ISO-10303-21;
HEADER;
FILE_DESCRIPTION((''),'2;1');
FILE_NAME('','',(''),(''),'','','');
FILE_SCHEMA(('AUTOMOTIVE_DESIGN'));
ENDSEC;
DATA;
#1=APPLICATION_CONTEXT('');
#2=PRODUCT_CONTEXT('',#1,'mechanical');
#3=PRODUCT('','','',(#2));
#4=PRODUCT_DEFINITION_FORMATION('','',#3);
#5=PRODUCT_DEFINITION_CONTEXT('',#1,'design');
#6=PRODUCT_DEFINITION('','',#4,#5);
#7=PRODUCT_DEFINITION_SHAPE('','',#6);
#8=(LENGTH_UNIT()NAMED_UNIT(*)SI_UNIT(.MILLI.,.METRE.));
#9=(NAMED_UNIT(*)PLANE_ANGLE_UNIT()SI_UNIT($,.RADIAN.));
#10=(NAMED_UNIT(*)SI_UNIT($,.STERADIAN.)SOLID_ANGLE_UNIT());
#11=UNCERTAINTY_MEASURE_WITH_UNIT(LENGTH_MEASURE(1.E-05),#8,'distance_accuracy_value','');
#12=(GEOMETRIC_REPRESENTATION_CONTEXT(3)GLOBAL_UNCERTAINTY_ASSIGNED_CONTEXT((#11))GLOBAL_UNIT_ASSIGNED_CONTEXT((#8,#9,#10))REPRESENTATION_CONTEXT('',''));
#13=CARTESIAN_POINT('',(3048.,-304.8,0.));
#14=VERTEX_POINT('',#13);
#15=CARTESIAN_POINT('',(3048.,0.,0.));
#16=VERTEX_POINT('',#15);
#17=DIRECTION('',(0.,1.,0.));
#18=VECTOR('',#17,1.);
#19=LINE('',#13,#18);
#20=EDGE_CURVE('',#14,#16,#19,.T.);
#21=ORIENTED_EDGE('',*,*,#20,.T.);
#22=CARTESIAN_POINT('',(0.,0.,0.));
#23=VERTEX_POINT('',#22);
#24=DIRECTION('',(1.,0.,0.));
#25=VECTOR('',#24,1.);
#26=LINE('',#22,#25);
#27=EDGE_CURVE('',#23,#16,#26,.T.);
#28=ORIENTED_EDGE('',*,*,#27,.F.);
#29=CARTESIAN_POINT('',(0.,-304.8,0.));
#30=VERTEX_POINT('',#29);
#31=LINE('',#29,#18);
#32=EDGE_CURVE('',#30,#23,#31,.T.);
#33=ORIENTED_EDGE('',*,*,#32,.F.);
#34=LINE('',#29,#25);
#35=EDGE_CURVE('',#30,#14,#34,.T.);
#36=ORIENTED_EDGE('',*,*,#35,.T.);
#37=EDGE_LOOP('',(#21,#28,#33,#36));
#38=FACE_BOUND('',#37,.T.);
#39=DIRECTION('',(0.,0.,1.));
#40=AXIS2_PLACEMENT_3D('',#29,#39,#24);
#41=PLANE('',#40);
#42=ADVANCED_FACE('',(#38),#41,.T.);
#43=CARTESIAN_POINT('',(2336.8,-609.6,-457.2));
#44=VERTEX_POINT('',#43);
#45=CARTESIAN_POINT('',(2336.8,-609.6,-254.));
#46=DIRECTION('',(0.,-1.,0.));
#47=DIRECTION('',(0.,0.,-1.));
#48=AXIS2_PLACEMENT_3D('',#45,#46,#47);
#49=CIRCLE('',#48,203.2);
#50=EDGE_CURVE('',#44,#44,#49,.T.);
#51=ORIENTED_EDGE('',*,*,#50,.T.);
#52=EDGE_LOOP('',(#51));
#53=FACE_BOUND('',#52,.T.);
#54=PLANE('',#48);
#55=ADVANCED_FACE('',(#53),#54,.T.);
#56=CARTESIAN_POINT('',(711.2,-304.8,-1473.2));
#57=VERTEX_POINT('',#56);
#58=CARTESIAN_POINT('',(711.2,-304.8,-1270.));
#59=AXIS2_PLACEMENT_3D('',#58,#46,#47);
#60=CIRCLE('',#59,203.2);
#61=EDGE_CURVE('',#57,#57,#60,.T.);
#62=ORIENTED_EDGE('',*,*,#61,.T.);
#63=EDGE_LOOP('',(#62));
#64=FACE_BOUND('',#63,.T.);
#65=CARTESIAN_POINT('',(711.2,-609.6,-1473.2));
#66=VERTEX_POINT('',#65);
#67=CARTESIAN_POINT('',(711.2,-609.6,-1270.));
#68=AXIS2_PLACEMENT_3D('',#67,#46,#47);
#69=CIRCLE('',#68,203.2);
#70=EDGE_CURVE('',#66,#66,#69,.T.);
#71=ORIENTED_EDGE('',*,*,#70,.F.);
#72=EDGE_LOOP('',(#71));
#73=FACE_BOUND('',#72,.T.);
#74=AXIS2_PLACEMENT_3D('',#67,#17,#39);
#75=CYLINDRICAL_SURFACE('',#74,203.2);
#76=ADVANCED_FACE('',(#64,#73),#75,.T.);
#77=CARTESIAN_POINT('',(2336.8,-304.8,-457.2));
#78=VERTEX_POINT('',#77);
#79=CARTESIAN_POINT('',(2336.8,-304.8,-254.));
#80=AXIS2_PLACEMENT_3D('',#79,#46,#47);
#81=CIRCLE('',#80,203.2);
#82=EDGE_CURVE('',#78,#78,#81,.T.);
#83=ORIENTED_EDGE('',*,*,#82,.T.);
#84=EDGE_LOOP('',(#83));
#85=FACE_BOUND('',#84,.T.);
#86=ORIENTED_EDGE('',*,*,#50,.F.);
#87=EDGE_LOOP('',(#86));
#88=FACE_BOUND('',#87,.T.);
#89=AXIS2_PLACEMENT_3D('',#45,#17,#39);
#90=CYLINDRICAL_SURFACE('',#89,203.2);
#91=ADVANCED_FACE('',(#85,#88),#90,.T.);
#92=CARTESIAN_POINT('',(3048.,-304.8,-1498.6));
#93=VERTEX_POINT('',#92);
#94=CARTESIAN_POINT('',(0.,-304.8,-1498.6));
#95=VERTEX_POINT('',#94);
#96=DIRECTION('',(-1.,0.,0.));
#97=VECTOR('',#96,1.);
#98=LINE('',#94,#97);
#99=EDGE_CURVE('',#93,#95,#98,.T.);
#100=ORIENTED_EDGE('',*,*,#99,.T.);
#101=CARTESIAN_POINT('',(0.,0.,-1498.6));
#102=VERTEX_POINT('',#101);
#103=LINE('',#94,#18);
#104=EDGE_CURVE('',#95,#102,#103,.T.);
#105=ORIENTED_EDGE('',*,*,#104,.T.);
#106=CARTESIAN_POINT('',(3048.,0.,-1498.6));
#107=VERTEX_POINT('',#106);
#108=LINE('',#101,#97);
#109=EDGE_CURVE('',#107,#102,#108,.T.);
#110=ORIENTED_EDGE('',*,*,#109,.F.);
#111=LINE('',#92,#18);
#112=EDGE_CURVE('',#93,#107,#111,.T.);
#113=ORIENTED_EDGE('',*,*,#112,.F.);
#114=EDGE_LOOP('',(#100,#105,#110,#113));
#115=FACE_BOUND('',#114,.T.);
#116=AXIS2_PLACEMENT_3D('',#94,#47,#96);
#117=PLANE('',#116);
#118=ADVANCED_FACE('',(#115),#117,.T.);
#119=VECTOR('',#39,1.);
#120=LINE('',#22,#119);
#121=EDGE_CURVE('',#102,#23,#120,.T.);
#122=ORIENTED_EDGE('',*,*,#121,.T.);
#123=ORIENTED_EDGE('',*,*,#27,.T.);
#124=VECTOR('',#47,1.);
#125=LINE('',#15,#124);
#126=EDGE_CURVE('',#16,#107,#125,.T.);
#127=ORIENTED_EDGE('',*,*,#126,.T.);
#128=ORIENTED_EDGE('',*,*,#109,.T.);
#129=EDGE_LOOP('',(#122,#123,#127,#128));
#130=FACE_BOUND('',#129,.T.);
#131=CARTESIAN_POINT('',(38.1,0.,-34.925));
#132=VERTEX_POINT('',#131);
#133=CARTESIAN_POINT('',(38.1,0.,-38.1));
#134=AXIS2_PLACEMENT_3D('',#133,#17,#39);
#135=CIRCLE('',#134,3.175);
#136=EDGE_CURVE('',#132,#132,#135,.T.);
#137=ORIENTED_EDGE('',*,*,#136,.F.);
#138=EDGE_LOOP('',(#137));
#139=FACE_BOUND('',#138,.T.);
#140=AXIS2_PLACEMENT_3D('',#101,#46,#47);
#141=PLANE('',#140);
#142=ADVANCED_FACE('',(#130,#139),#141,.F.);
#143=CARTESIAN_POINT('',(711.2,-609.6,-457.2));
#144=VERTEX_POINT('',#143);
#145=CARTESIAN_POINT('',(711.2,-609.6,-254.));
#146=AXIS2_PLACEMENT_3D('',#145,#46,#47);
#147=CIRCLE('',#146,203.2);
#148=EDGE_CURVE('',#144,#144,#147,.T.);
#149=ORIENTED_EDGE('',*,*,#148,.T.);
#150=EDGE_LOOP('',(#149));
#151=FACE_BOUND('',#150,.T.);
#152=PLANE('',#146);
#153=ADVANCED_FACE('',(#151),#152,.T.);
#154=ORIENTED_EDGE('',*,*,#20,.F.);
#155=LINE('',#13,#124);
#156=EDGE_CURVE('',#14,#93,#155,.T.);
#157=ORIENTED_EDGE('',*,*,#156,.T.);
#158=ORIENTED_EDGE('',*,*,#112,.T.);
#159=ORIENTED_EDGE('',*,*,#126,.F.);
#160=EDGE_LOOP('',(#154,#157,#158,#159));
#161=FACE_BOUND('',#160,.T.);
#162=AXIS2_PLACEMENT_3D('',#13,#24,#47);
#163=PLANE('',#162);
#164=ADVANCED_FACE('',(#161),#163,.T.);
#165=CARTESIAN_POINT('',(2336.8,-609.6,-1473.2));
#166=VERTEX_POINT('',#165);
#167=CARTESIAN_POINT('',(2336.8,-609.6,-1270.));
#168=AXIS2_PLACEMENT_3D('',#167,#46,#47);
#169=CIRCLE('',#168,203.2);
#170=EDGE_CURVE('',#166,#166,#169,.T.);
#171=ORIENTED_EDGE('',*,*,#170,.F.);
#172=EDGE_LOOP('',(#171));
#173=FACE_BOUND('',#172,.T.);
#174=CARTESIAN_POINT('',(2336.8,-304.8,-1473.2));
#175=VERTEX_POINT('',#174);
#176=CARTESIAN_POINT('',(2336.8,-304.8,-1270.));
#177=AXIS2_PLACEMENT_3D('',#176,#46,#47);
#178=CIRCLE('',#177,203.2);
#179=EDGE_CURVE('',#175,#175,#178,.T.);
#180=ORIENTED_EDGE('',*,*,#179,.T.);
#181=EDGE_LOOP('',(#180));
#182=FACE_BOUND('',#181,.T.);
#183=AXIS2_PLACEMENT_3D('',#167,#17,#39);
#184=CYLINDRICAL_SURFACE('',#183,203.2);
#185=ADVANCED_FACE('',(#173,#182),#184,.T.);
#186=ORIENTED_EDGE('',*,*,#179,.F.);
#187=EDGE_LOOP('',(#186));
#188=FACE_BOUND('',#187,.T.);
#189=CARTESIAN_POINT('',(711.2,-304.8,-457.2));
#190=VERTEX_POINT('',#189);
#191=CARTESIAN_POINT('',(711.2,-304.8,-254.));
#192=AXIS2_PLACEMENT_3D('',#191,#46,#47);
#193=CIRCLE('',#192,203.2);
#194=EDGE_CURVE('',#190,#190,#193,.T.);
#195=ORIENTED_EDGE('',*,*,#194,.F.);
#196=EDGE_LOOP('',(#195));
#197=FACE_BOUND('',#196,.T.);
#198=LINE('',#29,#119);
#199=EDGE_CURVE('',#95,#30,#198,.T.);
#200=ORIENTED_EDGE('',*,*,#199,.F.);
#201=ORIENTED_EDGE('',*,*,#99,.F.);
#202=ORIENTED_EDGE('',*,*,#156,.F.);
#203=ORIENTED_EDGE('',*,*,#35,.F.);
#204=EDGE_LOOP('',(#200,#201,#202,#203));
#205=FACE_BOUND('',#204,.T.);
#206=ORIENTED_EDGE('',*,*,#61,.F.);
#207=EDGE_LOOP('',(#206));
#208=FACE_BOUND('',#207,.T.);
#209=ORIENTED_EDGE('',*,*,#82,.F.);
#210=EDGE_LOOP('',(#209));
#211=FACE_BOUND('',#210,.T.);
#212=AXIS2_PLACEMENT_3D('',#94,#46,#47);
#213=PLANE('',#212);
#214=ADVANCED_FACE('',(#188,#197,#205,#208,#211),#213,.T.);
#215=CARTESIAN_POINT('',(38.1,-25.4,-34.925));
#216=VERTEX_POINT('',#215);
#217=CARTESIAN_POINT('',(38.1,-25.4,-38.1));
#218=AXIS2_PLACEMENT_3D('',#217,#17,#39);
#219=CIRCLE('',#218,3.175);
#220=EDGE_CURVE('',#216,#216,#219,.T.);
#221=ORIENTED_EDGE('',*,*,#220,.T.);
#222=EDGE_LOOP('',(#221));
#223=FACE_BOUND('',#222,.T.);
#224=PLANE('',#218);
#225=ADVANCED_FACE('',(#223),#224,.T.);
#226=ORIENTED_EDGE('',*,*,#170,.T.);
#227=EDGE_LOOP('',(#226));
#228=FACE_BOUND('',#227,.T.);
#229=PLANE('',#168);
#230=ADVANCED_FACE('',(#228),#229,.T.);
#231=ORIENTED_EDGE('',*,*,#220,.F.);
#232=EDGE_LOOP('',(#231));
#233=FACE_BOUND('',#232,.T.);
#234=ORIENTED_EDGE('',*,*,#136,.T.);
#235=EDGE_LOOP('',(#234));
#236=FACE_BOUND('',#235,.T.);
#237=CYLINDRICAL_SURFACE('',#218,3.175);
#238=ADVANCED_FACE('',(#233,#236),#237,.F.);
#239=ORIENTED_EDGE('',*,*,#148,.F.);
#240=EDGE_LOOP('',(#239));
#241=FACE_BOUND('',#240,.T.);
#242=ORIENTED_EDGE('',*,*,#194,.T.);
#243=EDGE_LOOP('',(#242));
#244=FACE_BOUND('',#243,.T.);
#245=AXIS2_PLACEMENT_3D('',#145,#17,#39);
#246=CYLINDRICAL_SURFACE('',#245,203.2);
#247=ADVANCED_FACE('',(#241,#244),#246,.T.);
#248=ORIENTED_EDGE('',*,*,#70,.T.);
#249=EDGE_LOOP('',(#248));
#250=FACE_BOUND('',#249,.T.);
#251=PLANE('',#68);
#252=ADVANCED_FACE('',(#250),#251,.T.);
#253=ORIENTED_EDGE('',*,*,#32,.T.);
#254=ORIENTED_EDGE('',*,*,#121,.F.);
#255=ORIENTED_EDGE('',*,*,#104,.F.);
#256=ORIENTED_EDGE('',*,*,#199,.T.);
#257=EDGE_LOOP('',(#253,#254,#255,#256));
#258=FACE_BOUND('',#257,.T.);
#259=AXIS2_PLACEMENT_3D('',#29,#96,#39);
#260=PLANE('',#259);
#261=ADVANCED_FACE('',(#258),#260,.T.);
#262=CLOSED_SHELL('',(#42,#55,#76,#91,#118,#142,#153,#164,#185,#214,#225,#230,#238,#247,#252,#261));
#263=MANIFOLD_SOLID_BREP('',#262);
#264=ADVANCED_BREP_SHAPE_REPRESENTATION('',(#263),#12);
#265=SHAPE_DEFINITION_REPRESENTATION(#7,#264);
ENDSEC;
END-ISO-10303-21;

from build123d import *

# Parameters (mm, degrees)
SKETCH1_W           = 3048
SKETCH1_H           = 1498.6
BOSS_EXTRUDE1_DEPTH = 304.8
SKETCH2_R           = 203.2
BOSS_EXTRUDE2_DEPTH = 304.8
SKETCH3_R           = 3.175
CUT_EXTRUDE1_DEPTH  = 25.4


with BuildPart() as part:
    # Sketch1 → Boss-Extrude1 (new body)
    with BuildSketch(Plane(origin=(0, 0, 0), x_dir=(1, 0, 0), z_dir=(0, 1, 0))):
        with Locations((1524, 749.3)):
            Rectangle(SKETCH1_W, SKETCH1_H)
    extrude(amount=-BOSS_EXTRUDE1_DEPTH)

    # Sketch2 → Boss-Extrude2 (add)
    with BuildSketch(Plane.XZ.offset(304.8)):
        with Locations((711.2, -254)):
            Circle(SKETCH2_R)
        with Locations((2336.8, -254)):
            Circle(SKETCH2_R)
        with Locations((711.2, -1270)):
            Circle(SKETCH2_R)
        with Locations((2336.8, -1270)):
            Circle(SKETCH2_R)
    extrude(amount=BOSS_EXTRUDE2_DEPTH)

    # Sketch3 → Cut-Extrude1 (cut)
    with BuildSketch(Plane(origin=(0, 0, 0), x_dir=(1, 0, 0), z_dir=(0, 1, 0))):
        with Locations((38.1, 38.1)):
            Circle(SKETCH3_R)
    extrude(amount=-CUT_EXTRUDE1_DEPTH, mode=Mode.SUBTRACT)


solid = part.part
